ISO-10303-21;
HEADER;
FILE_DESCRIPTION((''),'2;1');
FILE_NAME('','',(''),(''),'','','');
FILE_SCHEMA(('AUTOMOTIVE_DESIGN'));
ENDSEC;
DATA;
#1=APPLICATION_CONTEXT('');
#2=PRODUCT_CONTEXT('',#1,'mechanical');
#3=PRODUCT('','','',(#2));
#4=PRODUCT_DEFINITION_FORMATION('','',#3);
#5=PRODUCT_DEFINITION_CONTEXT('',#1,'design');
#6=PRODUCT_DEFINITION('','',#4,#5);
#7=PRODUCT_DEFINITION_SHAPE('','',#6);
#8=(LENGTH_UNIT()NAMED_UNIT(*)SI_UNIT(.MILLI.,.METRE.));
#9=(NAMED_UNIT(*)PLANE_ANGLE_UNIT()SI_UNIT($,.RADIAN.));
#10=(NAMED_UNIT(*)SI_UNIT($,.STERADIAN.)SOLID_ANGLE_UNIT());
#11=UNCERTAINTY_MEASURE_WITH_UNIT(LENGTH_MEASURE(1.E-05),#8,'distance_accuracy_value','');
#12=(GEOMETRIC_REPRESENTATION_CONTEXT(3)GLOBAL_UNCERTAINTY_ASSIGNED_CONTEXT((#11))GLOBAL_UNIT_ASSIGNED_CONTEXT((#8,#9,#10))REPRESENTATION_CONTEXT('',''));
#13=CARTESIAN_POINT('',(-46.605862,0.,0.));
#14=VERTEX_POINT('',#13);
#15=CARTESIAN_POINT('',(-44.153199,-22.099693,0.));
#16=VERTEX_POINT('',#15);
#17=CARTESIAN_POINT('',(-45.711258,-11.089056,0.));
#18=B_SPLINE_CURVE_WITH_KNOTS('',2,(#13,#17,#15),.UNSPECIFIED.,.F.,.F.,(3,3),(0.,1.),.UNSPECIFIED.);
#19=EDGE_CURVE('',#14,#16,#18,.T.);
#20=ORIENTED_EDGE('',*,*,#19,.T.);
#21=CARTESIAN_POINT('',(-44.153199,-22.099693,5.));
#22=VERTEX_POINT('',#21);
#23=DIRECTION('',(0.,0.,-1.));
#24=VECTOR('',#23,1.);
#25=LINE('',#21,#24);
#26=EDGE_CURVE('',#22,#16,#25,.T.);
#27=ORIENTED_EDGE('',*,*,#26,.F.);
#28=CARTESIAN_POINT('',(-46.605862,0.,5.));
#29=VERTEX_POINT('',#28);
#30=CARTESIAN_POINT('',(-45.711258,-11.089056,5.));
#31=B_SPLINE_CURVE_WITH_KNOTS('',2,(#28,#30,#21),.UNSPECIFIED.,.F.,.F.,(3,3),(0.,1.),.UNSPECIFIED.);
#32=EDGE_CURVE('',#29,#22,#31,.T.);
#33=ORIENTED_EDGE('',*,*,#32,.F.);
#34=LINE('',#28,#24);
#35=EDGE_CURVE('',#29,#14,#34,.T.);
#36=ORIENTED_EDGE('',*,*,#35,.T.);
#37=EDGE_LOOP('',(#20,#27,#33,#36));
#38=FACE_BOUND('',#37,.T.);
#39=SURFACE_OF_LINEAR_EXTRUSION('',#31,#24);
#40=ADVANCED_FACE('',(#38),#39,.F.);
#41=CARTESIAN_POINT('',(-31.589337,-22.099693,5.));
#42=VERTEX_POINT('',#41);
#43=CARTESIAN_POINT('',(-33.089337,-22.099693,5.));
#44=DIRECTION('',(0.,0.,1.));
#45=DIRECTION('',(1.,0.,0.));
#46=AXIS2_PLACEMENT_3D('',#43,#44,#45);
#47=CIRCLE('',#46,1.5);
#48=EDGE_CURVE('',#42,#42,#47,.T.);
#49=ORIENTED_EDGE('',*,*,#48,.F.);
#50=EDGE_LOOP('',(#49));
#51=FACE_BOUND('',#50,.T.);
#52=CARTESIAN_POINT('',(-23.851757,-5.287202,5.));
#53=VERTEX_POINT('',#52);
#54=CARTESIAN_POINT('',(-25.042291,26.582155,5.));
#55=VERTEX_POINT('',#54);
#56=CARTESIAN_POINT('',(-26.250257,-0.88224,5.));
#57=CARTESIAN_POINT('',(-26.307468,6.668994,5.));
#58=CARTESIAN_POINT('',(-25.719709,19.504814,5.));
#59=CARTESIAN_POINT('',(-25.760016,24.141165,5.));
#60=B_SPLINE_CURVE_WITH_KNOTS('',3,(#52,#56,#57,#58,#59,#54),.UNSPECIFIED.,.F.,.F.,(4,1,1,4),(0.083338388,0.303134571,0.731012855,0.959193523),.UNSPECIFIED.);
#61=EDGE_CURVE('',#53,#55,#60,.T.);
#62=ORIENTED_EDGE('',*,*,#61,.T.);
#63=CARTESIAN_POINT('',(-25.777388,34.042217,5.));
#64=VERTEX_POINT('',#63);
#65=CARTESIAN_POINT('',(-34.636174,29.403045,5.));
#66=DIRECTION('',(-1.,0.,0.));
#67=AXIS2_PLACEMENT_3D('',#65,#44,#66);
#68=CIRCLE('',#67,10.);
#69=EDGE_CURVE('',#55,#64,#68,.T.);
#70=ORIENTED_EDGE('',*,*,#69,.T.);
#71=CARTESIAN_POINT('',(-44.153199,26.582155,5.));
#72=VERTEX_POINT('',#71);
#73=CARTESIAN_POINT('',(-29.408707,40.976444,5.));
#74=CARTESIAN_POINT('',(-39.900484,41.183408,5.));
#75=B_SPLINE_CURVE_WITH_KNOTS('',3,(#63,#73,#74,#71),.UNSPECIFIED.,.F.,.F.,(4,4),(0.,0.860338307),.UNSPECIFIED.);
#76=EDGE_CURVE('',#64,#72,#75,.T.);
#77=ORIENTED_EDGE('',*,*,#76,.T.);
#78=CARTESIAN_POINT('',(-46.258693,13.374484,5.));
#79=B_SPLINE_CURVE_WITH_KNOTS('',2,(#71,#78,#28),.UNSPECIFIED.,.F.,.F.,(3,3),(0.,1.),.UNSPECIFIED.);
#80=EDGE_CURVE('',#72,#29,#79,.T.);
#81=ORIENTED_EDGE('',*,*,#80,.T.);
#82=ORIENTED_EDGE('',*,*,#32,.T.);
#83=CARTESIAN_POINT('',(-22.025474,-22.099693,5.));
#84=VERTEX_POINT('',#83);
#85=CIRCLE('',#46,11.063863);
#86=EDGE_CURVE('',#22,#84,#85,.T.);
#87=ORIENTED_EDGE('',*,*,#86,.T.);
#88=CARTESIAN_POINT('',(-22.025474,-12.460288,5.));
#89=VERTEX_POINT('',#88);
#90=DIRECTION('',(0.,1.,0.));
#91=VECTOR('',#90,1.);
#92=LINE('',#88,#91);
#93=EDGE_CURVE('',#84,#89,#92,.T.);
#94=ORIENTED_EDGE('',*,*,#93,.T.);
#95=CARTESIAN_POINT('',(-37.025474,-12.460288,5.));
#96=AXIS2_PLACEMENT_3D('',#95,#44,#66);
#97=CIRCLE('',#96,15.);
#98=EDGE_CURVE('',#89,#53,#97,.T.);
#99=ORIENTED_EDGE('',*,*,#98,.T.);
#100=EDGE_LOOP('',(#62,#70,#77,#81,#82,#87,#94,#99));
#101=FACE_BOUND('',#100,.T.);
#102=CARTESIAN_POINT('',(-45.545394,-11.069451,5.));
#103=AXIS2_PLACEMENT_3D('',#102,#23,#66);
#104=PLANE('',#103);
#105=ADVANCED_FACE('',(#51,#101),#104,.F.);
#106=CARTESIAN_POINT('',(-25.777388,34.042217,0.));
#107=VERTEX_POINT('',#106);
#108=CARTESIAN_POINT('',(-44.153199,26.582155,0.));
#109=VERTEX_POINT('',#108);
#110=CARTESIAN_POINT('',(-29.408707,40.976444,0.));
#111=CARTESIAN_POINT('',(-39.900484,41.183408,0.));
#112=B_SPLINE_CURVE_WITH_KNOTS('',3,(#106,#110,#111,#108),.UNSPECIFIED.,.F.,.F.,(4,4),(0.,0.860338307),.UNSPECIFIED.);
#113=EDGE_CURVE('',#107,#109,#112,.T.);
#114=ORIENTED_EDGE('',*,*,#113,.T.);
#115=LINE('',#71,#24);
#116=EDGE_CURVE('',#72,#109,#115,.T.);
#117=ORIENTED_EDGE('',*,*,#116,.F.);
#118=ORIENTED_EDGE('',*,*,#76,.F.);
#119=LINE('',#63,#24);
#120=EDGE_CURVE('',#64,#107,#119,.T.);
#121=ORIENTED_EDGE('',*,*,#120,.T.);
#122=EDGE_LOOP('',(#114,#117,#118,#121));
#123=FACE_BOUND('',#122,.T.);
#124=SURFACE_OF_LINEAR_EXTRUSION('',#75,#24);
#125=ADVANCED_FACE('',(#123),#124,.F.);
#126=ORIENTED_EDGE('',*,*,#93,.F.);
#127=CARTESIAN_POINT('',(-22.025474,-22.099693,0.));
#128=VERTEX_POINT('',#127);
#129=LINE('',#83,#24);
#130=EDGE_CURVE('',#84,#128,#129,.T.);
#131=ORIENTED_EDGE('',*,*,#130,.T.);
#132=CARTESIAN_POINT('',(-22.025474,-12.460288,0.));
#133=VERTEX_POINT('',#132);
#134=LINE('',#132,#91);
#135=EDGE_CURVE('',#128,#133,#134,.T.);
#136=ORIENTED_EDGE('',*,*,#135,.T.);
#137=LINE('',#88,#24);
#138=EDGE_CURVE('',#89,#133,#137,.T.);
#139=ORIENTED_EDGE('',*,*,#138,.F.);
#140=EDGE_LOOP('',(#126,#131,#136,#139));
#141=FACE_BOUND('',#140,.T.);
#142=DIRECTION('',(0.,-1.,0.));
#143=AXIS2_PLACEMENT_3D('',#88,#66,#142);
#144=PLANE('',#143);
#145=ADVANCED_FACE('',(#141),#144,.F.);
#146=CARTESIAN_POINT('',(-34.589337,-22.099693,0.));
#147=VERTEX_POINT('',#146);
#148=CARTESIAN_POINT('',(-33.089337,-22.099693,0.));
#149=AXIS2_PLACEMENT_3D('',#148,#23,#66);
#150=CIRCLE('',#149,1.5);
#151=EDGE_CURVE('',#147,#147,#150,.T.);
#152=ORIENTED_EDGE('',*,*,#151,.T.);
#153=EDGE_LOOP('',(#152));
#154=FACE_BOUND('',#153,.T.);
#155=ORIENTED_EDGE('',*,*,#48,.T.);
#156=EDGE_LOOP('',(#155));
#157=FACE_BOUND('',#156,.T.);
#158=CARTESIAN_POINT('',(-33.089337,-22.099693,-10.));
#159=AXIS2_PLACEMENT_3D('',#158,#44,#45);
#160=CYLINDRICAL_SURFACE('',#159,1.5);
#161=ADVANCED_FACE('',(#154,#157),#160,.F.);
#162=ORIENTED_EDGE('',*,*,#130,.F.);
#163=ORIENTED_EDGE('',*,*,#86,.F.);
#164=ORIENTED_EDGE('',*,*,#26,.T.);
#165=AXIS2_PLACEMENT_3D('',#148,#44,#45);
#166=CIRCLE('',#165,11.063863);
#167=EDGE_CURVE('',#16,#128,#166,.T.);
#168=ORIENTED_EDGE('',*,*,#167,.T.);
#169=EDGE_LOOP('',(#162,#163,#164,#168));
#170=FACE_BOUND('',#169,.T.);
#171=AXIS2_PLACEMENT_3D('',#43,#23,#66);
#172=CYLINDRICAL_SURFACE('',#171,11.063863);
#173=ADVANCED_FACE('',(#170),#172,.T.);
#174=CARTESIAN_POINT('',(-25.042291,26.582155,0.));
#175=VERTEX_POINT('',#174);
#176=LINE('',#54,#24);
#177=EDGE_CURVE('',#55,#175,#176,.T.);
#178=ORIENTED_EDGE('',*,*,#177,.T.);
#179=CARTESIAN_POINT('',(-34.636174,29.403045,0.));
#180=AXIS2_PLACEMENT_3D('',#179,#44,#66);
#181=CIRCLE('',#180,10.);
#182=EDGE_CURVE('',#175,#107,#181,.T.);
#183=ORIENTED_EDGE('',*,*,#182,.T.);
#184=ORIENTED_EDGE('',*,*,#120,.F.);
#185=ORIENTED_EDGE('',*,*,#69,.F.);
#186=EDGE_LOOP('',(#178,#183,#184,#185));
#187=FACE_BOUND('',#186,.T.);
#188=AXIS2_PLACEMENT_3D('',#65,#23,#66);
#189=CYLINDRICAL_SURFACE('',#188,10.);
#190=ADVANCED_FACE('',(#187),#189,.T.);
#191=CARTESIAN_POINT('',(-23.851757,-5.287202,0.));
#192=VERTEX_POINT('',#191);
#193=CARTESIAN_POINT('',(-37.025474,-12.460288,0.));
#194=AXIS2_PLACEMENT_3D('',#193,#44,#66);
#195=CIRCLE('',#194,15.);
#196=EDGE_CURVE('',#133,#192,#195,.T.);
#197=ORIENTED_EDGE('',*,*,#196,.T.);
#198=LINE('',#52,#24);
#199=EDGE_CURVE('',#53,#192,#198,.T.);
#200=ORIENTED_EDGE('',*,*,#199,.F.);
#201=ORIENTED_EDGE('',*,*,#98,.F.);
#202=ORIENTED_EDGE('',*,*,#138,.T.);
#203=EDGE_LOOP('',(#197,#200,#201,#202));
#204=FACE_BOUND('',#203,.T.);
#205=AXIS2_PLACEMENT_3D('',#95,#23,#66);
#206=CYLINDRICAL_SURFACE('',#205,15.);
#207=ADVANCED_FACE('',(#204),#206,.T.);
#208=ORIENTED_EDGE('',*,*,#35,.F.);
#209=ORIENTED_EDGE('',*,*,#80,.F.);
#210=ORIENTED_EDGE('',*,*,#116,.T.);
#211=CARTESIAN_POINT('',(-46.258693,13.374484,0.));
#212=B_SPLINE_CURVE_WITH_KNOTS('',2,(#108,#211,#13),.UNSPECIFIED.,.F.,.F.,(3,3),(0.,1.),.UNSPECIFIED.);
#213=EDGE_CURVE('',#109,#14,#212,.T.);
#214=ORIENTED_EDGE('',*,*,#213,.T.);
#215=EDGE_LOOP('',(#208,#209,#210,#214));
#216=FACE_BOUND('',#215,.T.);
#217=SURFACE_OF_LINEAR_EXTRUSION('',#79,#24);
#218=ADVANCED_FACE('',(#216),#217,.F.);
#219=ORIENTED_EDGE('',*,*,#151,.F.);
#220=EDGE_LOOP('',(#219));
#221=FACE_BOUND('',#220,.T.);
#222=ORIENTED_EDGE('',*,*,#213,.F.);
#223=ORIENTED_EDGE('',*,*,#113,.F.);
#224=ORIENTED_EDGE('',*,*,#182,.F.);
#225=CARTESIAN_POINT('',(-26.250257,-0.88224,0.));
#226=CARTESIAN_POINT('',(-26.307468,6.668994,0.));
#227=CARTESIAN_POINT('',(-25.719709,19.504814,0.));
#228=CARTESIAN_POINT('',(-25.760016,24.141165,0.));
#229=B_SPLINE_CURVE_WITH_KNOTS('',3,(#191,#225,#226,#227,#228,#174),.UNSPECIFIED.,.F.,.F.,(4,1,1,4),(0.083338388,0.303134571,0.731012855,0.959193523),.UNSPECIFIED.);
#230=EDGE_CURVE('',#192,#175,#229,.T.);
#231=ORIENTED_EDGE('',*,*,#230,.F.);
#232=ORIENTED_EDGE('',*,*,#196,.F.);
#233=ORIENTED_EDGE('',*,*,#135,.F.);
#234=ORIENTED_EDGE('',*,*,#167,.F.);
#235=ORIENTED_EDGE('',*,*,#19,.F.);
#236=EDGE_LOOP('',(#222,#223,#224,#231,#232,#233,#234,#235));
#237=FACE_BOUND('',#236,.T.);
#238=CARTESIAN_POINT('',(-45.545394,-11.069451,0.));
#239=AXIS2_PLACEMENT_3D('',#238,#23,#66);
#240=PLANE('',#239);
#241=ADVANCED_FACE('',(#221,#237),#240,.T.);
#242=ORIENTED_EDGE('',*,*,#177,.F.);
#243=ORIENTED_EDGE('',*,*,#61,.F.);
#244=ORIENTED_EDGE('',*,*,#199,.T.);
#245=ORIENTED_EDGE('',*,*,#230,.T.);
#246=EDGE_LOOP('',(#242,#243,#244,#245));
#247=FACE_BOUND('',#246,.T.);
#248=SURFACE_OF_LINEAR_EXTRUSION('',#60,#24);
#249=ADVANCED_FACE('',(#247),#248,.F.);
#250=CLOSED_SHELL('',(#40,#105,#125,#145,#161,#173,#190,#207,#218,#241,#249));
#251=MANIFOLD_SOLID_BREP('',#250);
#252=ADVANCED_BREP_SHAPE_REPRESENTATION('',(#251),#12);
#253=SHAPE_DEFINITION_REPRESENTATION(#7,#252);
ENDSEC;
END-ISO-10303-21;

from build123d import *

# Parameters (mm, degrees)
BOSS_EXTRUDE1_DEPTH = 5
SKETCH2_R           = 1.5
CUT_EXTRUDE1_DEPTH  = 15


with BuildPart() as part:
    # Sketch1 → Boss-Extrude1 (new body)
    with BuildSketch(Plane.XY):
        with BuildLine():
            Line((-22.025473837, -12.460288432), (-22.025473837, -22.099692602))
            ThreePointArc((-22.025473837, -22.099692602), (-33.089336525, -33.163555291), (-44.153199213, -22.099692602))
            add(Edge.make_bspline(
                [(-46.60586196, 0), (-45.711257539, -11.089055713), (-44.153199213, -22.099692602)],
                knots=[0, 0, 0, 1, 1, 1], degree=2))
            add(Edge.make_bspline(
                [(-46.60586196, 0), (-46.258692623, 13.374484171), (-44.153199213, 26.582155094)],
                knots=[0, 0, 0, 1, 1, 1], degree=2))
            add(Edge.make_bspline(
                [(-44.153199213, 26.582155094), (-39.900483867, 41.183407978), (-29.408706967, 40.976444126), (-25.777388315, 34.042216579)],
                knots=[0, 0, 0, 0, 0.860338307, 0.860338307, 0.860338307, 0.860338307], degree=3))
            ThreePointArc((-25.777388315, 34.042216579), (-24.684371632, 30.383671766), (-25.042291473, 26.582155094))
            add(Edge.make_bspline(
                [(-25.042291473, 26.582155094), (-25.760015873, 24.141164965), (-25.719709218, 19.504814476), (-26.307467845, 6.668994266), (-26.250257145, -0.88224048), (-23.851756529, -5.287201768)],
                knots=[0.083338388, 0.083338388, 0.083338388, 0.083338388, 0.311519057, 0.73939734, 0.959193523, 0.959193523, 0.959193523, 0.959193523], degree=3))
            ThreePointArc((-23.851756529, -5.287201768), (-22.489212976, -8.759326369), (-22.025473837, -12.460288432))
        make_face()
    extrude(amount=BOSS_EXTRUDE1_DEPTH)

    # Sketch2 → Cut-Extrude1 (cut)
    with BuildSketch(Plane.XY.offset(5)):
        with Locations((-33.089336525, -22.099692602)):
            Circle(SKETCH2_R)
    extrude(amount=-CUT_EXTRUDE1_DEPTH, mode=Mode.SUBTRACT)


solid = part.part
